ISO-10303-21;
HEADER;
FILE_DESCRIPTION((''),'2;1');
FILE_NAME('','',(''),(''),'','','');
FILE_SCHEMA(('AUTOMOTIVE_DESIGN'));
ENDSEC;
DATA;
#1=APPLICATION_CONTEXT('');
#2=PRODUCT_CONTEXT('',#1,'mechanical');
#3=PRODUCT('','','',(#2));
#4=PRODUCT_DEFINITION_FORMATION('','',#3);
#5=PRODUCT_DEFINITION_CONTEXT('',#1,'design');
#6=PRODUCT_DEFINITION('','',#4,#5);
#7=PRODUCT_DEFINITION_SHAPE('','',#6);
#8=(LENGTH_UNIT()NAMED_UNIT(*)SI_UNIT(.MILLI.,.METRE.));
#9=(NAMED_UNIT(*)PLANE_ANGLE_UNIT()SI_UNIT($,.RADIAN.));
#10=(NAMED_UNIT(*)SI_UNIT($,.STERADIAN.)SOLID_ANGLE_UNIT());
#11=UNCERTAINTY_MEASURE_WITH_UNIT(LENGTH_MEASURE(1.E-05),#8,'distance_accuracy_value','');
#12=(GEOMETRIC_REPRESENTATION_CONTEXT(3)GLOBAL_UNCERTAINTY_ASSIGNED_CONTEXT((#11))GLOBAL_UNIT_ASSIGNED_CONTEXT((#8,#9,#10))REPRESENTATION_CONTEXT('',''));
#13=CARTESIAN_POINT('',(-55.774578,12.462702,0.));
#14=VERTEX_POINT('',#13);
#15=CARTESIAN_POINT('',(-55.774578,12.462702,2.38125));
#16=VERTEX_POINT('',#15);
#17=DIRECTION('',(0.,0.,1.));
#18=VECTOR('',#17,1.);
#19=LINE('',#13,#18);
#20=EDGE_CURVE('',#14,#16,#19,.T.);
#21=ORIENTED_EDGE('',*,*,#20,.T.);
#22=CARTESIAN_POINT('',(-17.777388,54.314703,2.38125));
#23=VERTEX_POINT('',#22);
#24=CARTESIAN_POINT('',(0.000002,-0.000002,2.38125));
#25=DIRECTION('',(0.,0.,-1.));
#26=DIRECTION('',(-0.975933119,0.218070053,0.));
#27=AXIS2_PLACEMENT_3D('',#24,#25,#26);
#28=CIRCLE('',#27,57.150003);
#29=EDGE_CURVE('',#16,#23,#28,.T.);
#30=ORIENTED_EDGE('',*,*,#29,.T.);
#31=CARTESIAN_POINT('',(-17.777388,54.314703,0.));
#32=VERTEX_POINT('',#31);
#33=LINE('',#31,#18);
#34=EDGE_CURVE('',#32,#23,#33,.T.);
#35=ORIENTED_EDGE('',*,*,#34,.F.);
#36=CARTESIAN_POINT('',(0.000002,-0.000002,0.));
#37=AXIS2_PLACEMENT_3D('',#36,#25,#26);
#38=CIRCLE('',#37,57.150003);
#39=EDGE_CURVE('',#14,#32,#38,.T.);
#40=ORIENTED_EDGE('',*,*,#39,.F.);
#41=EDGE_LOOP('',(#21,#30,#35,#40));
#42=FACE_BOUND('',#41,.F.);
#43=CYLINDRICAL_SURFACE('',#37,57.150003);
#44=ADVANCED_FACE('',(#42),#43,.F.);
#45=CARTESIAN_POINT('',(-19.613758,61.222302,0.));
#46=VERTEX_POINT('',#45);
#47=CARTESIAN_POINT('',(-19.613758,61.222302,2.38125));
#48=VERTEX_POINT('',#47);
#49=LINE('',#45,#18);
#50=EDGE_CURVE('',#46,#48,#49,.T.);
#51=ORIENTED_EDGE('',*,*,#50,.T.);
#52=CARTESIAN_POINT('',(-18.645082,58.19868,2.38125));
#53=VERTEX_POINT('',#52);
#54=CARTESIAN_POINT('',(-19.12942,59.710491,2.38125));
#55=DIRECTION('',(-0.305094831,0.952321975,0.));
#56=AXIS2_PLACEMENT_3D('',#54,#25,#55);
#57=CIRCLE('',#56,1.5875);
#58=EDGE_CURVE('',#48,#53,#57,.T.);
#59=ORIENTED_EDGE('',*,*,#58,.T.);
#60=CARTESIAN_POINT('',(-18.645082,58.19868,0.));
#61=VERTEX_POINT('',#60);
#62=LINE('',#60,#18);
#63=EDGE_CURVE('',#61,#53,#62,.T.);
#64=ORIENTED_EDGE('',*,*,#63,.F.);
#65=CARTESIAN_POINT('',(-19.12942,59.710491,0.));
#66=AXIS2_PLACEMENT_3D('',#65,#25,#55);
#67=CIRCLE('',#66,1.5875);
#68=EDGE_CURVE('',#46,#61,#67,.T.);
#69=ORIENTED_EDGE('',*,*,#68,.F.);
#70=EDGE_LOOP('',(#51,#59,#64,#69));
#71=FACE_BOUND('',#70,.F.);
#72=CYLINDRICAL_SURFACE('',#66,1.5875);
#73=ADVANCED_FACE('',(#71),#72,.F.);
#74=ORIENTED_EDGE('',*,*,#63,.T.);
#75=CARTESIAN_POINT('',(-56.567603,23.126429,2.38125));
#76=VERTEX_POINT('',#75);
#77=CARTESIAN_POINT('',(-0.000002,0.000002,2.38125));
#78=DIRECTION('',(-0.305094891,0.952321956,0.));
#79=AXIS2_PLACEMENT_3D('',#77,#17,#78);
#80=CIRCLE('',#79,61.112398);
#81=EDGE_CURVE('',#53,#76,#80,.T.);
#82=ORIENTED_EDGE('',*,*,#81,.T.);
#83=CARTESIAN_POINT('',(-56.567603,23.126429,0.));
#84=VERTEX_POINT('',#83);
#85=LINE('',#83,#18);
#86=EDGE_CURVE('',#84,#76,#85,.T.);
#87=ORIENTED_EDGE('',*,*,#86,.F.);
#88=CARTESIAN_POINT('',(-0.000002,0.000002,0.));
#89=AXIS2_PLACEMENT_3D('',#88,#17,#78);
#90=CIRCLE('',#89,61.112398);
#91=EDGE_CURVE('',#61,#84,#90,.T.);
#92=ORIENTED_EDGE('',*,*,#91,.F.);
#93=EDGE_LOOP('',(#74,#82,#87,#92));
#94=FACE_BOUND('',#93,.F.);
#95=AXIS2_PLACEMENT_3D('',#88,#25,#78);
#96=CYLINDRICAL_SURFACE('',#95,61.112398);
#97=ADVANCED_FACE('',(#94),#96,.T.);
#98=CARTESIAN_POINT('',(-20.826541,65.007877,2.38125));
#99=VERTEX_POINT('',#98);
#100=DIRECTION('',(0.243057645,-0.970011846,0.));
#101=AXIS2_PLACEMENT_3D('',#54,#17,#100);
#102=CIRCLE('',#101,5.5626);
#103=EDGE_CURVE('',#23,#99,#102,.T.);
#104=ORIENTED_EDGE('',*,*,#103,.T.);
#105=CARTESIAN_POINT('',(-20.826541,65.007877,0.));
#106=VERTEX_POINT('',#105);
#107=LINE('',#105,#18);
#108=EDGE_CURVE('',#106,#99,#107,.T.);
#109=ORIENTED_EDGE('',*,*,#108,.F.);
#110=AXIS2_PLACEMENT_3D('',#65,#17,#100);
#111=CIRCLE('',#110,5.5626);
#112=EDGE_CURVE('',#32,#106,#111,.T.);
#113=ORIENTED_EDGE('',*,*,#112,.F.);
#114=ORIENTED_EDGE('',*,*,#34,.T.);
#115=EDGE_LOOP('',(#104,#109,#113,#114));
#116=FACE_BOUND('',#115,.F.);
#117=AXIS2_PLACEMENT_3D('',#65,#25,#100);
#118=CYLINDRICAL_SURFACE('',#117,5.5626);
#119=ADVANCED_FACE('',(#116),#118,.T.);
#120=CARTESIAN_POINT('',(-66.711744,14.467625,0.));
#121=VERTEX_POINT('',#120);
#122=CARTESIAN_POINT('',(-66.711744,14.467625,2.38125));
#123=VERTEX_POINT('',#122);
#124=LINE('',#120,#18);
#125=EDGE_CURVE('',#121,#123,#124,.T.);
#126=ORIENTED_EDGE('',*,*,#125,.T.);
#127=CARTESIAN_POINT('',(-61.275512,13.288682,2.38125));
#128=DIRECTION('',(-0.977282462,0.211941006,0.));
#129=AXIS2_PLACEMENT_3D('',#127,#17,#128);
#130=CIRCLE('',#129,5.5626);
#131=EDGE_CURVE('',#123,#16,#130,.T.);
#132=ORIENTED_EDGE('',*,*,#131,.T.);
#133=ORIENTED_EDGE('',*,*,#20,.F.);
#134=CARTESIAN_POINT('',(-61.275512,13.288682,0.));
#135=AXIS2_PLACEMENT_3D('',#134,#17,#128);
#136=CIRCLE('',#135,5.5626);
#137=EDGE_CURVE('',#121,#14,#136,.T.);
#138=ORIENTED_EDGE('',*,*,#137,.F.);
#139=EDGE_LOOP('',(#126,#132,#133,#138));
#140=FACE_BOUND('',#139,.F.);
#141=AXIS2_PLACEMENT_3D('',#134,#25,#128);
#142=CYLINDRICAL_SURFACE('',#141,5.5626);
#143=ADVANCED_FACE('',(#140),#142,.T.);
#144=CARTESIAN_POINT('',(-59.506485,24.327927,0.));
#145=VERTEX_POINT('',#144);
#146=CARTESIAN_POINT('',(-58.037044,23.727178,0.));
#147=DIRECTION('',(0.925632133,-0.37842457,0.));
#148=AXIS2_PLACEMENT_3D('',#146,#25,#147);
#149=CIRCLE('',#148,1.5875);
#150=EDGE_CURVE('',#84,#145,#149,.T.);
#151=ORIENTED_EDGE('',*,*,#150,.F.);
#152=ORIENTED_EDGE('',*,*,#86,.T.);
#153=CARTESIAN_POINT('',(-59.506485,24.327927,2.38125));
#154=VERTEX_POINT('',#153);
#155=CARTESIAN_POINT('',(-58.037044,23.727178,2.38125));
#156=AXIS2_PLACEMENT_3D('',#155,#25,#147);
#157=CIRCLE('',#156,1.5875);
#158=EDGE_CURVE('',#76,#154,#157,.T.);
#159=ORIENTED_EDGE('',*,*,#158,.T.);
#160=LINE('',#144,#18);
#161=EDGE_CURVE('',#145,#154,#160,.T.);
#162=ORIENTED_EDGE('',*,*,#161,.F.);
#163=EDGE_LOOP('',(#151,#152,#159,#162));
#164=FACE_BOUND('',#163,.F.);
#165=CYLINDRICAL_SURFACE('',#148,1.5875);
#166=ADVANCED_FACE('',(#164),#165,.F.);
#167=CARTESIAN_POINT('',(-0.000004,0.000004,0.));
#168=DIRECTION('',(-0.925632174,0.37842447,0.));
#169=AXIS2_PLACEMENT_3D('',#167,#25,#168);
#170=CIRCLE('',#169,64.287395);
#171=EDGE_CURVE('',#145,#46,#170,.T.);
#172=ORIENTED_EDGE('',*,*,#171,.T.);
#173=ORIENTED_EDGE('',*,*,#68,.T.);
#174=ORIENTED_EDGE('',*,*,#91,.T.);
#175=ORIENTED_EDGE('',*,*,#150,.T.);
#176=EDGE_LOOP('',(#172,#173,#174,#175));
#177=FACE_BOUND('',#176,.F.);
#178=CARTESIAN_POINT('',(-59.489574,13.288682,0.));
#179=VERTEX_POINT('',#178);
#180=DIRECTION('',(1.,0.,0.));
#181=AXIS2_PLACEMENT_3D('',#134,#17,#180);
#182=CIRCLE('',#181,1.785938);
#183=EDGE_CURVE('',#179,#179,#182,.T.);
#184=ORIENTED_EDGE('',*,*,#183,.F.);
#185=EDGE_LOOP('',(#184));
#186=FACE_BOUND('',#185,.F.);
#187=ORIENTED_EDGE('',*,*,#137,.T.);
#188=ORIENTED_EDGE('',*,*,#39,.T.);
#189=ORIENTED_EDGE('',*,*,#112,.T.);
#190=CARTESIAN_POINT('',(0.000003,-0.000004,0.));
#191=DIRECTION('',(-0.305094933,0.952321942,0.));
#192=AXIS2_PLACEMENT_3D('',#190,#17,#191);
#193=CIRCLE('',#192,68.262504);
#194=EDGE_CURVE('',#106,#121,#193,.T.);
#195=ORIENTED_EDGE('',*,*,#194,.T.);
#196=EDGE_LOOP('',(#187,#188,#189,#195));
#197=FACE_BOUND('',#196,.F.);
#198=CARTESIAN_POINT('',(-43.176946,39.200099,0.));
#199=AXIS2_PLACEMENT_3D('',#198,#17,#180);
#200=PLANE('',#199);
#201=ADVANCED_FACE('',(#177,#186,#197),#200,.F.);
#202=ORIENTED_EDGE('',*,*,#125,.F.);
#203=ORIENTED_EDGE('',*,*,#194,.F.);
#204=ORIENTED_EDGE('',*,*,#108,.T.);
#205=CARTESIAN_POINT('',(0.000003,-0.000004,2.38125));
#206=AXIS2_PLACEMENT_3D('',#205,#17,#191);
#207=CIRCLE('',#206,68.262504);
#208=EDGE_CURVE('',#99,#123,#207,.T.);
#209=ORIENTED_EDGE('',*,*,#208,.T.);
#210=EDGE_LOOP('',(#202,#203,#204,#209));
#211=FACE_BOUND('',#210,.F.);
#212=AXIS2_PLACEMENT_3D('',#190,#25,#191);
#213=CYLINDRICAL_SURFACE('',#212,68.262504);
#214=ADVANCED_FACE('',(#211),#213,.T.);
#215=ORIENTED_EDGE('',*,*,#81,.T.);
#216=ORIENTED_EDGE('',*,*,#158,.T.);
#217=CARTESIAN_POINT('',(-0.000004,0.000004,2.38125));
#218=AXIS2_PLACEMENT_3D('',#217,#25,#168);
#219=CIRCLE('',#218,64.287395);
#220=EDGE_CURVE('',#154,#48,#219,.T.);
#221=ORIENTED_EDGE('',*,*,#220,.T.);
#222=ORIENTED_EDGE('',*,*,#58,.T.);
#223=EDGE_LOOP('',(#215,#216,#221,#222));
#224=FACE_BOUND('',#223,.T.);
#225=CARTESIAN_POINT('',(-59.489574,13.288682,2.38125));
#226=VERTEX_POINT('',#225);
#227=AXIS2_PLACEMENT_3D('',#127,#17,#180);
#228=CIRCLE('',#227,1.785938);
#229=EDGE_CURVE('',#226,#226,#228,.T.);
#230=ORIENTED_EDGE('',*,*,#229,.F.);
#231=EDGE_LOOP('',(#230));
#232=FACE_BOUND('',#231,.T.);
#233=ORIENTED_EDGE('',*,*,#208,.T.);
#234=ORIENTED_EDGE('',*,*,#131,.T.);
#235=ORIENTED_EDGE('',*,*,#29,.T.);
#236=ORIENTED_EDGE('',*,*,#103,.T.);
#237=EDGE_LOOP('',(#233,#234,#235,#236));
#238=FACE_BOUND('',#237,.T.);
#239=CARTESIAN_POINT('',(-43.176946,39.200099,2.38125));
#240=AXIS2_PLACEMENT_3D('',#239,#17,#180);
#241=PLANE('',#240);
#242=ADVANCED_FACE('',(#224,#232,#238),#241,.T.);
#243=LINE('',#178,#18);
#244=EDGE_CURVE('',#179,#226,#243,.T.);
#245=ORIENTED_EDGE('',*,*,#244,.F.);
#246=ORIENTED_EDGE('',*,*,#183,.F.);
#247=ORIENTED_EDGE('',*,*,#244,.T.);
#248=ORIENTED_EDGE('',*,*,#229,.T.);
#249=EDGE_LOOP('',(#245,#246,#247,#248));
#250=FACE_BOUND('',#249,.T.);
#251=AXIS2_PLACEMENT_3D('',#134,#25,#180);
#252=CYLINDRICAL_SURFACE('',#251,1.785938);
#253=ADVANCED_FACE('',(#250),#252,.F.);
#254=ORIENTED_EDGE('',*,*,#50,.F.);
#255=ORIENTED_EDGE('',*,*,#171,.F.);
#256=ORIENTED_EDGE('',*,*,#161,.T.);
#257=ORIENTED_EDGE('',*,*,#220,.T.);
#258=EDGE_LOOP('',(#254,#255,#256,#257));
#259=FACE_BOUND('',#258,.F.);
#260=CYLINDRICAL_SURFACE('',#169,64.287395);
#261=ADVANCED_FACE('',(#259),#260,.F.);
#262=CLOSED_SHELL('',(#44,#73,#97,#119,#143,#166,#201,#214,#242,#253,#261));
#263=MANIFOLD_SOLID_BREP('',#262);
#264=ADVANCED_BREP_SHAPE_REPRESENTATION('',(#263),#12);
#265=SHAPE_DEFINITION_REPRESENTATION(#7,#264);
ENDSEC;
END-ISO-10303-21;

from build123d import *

# Parameters (mm, degrees)
F0_R     = 1.785938
F1_DEPTH = 2.38125


with BuildPart() as f1:
    # F0 (on Top) → F1 (new body)
    with BuildSketch(Plane.XY):
        with BuildLine():
            ThreePointArc((-55.774578, 12.462702), (-42.312769, 38.415518), (-17.777388, 54.314703))
            ThreePointArc((-17.777388, 54.314703), (-13.78005, 61.235861), (-20.826541, 65.007877))
            ThreePointArc((-20.826541, 65.007877), (-50.540252, 45.885202), (-66.711744, 14.467625))
            ThreePointArc((-66.711744, 14.467625), (-62.278496, 7.817252), (-55.774578, 12.462702))
        make_face()
        with Locations((-61.275512, 13.288682)):
            Circle(F0_R, mode=Mode.SUBTRACT)
        with BuildLine():
            ThreePointArc((-18.645082, 58.19868), (-41.494008, 44.866165), (-56.567603, 23.126429))
            ThreePointArc((-56.567603, 23.126429), (-58.637793, 22.257737), (-59.506485, 24.327927))
            ThreePointArc((-59.506485, 24.327927), (-43.649765, 47.197117), (-19.613758, 61.222302))
            ThreePointArc((-19.613758, 61.222302), (-17.617609, 60.194829), (-18.645082, 58.19868))
        make_face(mode=Mode.SUBTRACT)
    extrude(amount=F1_DEPTH)


solid = f1.part
